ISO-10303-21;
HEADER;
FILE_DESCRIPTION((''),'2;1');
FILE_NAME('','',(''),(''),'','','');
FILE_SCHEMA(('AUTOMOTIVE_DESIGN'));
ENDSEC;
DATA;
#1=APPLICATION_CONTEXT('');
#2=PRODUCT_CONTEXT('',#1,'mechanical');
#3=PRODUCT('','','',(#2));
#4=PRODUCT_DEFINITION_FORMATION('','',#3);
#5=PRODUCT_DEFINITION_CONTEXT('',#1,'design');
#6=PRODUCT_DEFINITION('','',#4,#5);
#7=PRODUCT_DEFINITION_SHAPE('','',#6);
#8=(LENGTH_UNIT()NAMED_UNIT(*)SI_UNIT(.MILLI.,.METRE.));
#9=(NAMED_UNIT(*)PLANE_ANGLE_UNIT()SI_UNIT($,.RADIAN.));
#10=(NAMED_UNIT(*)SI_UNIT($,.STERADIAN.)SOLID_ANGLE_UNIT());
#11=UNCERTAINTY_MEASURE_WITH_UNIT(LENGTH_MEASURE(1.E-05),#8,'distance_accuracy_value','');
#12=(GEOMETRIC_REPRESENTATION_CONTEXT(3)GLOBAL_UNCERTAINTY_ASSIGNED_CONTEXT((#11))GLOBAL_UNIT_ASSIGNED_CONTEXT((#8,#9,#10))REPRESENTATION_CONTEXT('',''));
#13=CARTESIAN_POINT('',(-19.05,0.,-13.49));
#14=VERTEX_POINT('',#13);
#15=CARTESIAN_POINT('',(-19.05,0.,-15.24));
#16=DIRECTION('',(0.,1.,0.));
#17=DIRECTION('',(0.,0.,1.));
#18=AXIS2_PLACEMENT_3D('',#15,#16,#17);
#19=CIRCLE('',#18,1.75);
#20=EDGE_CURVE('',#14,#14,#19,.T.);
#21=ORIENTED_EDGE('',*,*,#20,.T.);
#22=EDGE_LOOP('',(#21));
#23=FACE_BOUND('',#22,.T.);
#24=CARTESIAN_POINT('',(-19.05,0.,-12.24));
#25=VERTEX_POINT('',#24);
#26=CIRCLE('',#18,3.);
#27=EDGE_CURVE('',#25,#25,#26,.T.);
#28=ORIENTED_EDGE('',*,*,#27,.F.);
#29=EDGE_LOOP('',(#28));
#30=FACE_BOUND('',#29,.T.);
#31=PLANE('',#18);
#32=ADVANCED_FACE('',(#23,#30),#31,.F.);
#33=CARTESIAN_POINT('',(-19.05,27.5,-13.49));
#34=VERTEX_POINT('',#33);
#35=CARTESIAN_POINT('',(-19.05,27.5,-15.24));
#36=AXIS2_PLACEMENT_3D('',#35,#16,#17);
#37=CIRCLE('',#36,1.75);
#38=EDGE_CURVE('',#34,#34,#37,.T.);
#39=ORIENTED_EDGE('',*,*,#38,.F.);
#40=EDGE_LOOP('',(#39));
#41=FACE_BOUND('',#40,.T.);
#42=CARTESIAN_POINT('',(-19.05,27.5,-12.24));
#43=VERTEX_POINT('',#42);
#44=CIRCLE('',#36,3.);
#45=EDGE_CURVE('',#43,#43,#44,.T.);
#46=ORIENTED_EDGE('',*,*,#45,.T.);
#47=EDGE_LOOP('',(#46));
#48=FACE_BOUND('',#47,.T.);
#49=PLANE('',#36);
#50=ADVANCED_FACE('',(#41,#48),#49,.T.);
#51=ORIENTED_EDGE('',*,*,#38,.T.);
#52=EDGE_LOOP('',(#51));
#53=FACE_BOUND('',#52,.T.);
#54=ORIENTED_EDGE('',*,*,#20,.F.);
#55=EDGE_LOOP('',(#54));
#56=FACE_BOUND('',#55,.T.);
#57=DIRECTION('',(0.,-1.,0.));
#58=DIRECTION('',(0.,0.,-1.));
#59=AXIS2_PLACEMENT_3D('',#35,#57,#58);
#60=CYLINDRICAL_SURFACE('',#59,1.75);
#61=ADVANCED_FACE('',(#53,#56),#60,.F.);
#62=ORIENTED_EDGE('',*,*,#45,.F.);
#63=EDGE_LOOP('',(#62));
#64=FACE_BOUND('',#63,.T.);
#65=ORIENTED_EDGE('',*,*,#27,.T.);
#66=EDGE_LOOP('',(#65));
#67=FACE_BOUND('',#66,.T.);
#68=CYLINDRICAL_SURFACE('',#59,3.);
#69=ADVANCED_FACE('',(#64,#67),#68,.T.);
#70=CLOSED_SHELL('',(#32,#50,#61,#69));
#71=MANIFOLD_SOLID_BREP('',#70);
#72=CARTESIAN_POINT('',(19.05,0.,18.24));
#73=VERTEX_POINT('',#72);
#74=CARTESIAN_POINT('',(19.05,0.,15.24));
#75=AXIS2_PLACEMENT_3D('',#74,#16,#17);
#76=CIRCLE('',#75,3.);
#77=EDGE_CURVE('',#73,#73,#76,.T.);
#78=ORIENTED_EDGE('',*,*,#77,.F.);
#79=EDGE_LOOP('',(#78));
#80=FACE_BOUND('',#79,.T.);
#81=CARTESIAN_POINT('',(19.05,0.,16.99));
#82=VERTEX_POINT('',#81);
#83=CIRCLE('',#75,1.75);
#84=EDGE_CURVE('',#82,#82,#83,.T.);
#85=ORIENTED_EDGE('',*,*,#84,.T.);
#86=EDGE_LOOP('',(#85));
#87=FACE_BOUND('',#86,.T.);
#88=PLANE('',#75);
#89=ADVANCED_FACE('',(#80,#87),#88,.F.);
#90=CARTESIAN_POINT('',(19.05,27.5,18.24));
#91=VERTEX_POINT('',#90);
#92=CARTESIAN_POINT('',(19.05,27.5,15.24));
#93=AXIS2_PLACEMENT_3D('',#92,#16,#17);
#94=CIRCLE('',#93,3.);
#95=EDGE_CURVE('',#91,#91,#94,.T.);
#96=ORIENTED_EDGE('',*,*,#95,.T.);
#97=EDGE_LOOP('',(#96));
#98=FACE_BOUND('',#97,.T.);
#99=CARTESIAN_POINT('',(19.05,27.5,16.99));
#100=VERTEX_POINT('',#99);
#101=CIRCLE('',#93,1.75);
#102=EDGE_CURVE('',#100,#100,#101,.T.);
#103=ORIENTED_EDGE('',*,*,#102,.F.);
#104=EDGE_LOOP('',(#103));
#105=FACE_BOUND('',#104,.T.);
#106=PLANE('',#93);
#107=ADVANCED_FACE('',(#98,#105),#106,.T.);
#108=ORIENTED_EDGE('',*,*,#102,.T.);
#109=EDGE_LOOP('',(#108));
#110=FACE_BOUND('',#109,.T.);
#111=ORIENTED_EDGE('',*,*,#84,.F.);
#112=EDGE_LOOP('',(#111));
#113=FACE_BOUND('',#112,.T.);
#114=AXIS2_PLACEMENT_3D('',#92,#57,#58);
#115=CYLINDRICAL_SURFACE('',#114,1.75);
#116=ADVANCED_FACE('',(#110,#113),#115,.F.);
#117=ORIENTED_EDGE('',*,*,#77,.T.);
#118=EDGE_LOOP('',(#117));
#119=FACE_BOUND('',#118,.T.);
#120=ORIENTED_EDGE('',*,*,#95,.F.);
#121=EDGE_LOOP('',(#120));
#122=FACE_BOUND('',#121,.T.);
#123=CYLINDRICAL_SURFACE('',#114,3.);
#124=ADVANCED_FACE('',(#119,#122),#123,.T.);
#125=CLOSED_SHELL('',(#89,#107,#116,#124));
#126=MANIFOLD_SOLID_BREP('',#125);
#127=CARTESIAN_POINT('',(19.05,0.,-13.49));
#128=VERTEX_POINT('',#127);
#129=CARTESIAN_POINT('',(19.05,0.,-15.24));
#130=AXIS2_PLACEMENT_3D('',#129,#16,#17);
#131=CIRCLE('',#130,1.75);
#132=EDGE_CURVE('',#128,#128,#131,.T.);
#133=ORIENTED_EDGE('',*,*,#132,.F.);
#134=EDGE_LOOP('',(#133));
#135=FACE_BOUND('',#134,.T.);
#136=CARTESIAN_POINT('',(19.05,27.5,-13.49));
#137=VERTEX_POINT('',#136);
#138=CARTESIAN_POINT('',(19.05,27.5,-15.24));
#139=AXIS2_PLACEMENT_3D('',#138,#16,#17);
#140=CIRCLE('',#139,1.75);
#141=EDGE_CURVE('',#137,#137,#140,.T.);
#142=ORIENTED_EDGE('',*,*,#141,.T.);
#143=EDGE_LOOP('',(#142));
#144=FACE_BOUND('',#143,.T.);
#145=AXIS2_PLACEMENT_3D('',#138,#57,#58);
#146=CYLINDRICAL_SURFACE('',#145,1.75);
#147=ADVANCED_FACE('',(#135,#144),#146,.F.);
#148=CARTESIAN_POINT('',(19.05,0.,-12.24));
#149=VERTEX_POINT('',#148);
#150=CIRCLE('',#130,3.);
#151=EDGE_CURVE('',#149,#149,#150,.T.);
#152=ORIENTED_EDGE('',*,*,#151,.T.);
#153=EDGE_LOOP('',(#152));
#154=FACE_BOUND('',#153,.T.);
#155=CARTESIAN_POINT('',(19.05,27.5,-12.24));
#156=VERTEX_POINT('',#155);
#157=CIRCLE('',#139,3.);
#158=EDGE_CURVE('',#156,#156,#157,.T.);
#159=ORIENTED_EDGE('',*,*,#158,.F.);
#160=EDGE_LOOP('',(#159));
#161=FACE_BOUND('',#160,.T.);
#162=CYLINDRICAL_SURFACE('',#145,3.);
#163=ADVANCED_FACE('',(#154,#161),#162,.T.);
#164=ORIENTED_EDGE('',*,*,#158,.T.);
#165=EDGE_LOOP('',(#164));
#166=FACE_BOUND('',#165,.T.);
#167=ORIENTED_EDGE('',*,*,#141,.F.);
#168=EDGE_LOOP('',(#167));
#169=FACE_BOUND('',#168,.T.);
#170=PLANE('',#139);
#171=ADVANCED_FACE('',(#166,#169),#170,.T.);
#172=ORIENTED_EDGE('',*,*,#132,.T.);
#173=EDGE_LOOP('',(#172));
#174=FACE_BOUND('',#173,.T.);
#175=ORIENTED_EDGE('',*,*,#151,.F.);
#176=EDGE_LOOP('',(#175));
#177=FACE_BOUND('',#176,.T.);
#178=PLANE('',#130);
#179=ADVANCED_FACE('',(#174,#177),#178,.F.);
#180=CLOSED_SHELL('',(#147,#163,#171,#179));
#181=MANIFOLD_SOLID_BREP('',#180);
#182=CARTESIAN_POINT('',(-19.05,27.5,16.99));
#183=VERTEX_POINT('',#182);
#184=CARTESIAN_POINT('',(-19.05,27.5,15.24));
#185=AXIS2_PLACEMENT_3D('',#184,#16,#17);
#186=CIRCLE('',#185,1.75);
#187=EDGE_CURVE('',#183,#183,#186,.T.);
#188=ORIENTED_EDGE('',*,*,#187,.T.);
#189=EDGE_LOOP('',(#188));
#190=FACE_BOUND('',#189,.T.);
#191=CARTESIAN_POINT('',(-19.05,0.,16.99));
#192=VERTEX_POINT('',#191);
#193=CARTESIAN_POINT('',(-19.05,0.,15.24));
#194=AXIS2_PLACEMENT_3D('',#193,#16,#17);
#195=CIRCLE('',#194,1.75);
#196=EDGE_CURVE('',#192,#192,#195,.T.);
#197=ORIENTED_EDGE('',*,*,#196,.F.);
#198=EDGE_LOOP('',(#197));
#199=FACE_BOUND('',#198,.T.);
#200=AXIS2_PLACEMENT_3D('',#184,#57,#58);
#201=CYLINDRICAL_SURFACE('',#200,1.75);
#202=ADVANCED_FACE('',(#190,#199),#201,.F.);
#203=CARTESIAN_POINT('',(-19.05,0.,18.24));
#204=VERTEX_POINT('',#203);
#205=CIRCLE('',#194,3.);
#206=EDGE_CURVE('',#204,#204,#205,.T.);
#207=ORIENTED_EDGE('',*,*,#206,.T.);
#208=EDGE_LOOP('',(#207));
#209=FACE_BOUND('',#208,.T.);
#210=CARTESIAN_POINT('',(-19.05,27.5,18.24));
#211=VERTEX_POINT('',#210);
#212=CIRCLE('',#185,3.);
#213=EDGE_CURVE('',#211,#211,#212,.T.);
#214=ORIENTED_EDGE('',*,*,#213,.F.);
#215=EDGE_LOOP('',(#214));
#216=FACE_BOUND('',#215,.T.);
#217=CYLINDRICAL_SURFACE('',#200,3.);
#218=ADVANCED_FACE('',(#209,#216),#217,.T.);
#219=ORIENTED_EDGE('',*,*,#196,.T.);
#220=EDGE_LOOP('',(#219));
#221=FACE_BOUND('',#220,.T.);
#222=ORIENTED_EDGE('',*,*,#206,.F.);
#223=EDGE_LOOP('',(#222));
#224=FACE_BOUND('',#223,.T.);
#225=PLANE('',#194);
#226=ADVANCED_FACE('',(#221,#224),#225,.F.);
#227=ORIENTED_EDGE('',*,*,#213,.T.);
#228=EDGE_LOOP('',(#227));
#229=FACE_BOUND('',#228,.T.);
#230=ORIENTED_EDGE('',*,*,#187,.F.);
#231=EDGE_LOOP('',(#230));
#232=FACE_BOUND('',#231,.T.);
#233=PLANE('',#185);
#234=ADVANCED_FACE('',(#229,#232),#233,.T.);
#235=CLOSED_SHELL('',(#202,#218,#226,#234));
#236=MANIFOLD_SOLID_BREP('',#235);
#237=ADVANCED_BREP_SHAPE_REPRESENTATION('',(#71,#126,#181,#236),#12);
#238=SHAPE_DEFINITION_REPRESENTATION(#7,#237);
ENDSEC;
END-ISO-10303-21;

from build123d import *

# Parameters (mm, degrees)
SKETCH1_R             = 3
SKETCH1_R_2           = 1.75
BOSS_EXTRUDE1_DEPTH   = 27.5
BOSS_EXTRUDE1_2_DEPTH = 27.5
BOSS_EXTRUDE1_3_DEPTH = 27.5
BOSS_EXTRUDE1_4_DEPTH = 27.5


with BuildPart() as part:
    # Sketch1 → Boss-Extrude1 (new body)
    with BuildSketch(Plane(origin=(0, 0, 0), x_dir=(1, 0, 0), z_dir=(0, 1, 0))):
        with Locations(Location((-19.05, 15.24, 0), (0, 0, 270))):
            Circle(SKETCH1_R)
        with Locations(Location((-19.05, 15.24, 0), (0, 0, 270))):
            Circle(SKETCH1_R_2, mode=Mode.SUBTRACT)
    extrude(amount=BOSS_EXTRUDE1_DEPTH)


with BuildPart() as body_2:
    # Sketch1 → Boss-Extrude1 2 (new body)
    with BuildSketch(Plane(origin=(0, 0, 0), x_dir=(1, 0, 0), z_dir=(0, 1, 0))):
        with Locations(Location((19.05, 15.24, 0), (0, 0, 270))):
            Circle(SKETCH1_R)
        with Locations(Location((19.05, 15.24, 0), (0, 0, 270))):
            Circle(SKETCH1_R_2, mode=Mode.SUBTRACT)
    extrude(amount=BOSS_EXTRUDE1_2_DEPTH)


with BuildPart() as body_3:
    # Sketch1 → Boss-Extrude1 3 (new body)
    with BuildSketch(Plane(origin=(0, 0, 0), x_dir=(1, 0, 0), z_dir=(0, 1, 0))):
        with Locations(Location((19.05, -15.24, 0), (0, 0, 270))):
            Circle(SKETCH1_R)
        with Locations(Location((19.05, -15.24, 0), (0, 0, 270))):
            Circle(SKETCH1_R_2, mode=Mode.SUBTRACT)
    extrude(amount=BOSS_EXTRUDE1_3_DEPTH)


with BuildPart() as body_4:
    # Sketch1 → Boss-Extrude1 4 (new body)
    with BuildSketch(Plane(origin=(0, 0, 0), x_dir=(1, 0, 0), z_dir=(0, 1, 0))):
        with Locations(Location((-19.05, -15.24, 0), (0, 0, 270))):
            Circle(SKETCH1_R)
        with Locations(Location((-19.05, -15.24, 0), (0, 0, 270))):
            Circle(SKETCH1_R_2, mode=Mode.SUBTRACT)
    extrude(amount=BOSS_EXTRUDE1_4_DEPTH)


solid = Compound([part.part, body_2.part, body_3.part, body_4.part])
